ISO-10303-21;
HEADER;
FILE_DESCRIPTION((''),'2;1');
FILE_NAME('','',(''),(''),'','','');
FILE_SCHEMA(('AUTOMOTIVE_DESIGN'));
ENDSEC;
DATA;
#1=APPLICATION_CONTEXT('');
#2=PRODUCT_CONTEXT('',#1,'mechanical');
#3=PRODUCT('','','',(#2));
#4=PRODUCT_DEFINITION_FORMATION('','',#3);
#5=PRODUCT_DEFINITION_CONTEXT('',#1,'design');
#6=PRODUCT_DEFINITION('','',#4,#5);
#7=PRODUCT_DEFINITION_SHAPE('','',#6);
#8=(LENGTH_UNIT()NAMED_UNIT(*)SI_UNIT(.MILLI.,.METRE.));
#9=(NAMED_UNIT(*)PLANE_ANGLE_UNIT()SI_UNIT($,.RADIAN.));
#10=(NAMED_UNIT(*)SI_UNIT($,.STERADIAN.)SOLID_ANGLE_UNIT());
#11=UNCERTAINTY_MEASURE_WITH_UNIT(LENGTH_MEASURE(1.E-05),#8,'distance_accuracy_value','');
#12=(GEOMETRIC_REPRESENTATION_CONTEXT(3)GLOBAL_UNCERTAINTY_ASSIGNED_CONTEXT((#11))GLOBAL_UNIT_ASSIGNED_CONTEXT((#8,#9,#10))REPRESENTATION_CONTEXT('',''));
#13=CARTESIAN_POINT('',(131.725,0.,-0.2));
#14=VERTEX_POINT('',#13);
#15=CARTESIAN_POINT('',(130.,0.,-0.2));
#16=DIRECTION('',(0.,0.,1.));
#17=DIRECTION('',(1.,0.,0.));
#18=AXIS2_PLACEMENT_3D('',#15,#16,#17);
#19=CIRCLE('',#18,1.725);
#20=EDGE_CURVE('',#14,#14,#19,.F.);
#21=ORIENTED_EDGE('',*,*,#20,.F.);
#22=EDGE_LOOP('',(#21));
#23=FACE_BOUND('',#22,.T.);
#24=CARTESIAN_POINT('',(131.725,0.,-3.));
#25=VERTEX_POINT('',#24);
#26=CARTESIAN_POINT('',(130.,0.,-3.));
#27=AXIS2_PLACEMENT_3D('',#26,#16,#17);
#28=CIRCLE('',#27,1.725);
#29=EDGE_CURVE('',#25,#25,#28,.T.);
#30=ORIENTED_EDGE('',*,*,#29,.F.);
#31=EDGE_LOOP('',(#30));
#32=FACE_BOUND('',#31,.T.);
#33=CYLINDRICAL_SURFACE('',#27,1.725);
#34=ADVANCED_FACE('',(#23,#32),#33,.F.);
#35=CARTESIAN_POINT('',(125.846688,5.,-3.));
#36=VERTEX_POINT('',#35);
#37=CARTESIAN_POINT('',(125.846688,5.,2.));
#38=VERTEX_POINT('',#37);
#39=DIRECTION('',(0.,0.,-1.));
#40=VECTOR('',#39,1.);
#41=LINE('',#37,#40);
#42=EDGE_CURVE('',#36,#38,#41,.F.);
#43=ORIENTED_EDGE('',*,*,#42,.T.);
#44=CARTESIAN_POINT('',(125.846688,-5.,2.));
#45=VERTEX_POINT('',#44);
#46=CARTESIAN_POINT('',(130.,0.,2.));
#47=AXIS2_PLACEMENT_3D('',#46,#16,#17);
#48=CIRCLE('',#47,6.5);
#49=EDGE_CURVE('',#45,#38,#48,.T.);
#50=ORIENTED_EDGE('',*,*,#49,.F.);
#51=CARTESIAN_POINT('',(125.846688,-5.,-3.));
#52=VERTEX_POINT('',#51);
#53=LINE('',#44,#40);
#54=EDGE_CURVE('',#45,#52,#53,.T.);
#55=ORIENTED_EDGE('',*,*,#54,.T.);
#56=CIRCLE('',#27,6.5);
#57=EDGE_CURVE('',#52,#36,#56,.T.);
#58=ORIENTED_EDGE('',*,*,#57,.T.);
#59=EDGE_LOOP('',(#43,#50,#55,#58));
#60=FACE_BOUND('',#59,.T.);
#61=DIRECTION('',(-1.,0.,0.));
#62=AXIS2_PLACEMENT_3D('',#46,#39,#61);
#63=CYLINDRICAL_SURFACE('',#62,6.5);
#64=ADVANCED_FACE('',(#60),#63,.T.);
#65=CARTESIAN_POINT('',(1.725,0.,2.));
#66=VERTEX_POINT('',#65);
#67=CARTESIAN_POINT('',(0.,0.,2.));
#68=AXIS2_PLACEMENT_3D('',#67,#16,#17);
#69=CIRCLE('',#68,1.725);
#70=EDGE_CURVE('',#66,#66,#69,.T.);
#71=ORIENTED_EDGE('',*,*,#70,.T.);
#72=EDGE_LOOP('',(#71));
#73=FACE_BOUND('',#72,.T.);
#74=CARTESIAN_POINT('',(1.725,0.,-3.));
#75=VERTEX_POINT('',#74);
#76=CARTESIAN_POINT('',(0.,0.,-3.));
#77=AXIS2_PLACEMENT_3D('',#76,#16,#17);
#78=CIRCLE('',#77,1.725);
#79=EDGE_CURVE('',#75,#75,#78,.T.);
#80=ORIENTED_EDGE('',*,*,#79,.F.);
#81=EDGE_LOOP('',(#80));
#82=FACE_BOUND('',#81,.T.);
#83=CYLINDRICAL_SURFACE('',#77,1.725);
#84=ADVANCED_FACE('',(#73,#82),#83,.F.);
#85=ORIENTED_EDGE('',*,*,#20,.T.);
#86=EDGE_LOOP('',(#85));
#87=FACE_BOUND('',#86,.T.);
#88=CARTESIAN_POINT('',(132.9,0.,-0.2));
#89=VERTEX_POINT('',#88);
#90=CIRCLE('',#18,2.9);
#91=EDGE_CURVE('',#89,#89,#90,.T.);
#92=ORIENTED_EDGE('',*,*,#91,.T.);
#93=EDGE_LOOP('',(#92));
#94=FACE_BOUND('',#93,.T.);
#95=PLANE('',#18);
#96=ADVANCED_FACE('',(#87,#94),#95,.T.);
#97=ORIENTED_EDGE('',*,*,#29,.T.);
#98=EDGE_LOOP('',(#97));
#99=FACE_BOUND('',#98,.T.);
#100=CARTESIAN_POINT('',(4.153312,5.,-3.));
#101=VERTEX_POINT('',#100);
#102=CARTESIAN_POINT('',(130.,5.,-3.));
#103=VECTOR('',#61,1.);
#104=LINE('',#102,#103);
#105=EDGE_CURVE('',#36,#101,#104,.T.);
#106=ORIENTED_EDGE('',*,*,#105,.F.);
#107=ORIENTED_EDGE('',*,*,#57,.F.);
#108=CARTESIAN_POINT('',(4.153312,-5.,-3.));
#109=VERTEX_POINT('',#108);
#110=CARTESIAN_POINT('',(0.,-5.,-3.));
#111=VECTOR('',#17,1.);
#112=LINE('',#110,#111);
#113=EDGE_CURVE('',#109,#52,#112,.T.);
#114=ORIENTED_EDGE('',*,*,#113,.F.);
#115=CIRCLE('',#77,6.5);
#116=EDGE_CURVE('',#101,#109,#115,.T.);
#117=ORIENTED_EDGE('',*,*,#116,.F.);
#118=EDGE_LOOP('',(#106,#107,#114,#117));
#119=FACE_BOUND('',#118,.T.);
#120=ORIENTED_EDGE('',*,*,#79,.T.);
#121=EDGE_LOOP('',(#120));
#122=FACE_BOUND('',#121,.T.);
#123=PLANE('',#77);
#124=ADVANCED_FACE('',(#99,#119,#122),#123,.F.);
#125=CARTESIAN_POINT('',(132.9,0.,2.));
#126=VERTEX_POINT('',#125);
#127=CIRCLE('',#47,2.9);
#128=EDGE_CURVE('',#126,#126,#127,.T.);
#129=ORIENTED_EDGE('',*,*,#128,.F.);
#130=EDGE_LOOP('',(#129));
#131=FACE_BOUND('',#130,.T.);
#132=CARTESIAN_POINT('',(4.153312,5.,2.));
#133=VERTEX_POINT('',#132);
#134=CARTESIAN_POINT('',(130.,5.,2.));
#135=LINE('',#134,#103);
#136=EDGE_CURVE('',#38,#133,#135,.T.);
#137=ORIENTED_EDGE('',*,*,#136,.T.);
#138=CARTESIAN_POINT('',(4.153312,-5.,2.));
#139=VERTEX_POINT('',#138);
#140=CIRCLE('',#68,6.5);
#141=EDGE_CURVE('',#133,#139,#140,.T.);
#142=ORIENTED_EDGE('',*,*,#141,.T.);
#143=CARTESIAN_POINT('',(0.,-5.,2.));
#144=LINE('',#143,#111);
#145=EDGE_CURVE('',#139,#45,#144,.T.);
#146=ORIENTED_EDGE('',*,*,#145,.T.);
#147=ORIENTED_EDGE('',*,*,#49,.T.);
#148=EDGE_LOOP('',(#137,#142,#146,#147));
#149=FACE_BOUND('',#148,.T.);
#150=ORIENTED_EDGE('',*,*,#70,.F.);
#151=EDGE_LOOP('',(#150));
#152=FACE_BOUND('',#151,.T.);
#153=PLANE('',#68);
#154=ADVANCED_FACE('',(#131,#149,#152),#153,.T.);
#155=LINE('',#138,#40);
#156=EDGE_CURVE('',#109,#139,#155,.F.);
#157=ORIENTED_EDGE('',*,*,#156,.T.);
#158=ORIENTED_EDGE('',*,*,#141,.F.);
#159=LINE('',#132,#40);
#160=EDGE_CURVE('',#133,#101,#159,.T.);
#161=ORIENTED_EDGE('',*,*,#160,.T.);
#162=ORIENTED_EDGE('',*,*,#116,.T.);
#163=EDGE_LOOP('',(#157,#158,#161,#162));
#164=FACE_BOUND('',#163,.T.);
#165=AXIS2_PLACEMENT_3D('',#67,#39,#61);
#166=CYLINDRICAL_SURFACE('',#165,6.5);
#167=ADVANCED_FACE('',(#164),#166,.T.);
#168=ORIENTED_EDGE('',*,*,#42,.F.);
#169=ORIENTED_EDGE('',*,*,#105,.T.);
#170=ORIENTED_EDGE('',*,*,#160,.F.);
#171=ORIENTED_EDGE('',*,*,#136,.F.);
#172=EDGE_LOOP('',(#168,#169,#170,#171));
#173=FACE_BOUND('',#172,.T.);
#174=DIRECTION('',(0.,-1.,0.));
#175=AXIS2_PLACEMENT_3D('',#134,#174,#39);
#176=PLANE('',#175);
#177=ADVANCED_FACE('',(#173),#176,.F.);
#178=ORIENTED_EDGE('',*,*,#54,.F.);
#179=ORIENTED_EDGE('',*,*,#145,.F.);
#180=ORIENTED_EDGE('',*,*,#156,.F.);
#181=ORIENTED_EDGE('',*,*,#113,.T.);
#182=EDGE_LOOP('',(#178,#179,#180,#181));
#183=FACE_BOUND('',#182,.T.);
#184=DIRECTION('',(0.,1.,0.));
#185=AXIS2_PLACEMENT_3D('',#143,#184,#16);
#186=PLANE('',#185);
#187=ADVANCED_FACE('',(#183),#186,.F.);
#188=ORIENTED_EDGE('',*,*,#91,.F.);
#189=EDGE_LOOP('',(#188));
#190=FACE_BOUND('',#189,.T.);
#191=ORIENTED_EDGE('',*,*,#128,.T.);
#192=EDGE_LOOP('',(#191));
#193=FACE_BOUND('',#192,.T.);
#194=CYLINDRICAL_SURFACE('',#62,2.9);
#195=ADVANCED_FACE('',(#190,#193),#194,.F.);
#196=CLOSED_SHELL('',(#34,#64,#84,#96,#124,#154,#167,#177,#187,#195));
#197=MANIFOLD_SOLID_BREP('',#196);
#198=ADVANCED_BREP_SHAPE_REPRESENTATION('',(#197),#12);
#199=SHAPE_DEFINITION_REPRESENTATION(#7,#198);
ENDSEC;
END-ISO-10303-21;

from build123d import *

# Parameters (mm, degrees)
BOSS_EXTRUDE1_START     = -3
SKETCH1_W               = 130
SKETCH1_H               = 10
BOSS_EXTRUDE1_DEPTH     = 5
BOSS_EXTRUDE2_START     = -3
SKETCH2_R               = 6.5
BOSS_EXTRUDE2_DEPTH     = 5
BOSS_EXTRUDE3_START     = -3
SKETCH3_R               = 6.5
BOSS_EXTRUDE3_DEPTH     = 5
CUT_EXTRUDE1_DEPTH      = 137.687600023
CUT_EXTRUDE1_DEPTH_BACK = 137.687600023
SKETCH4_R               = 1.725
CUT_EXTRUDE2_START      = -0.2
SKETCH5_R               = 2.9
CUT_EXTRUDE2_DEPTH      = 2.2


with BuildPart() as part:
    # Sketch1 → Boss-Extrude1 (new body)
    with BuildSketch(Plane.XY.offset(BOSS_EXTRUDE1_START)):
        with Locations((65, 0)):
            Rectangle(SKETCH1_W, SKETCH1_H)
    extrude(amount=BOSS_EXTRUDE1_DEPTH)

    # Sketch2 → Boss-Extrude2 (add)
    with BuildSketch(Plane.XY.offset(BOSS_EXTRUDE2_START)):
        Circle(SKETCH2_R)
    extrude(amount=BOSS_EXTRUDE2_DEPTH)

    # Sketch3 → Boss-Extrude3 (add)
    with BuildSketch(Plane.XY.offset(BOSS_EXTRUDE3_START)):
        with Locations((130, 0)):
            Circle(SKETCH3_R)
    extrude(amount=BOSS_EXTRUDE3_DEPTH)

    # Sketch4 → Cut-Extrude1 (cut, two sides: drawn at the far end of the back side and taken through both)
    with BuildSketch(Plane.XY.offset(-CUT_EXTRUDE1_DEPTH_BACK)):
        Circle(SKETCH4_R)
        with Locations((130, 0)):
            Circle(SKETCH4_R)
    extrude(amount=CUT_EXTRUDE1_DEPTH + CUT_EXTRUDE1_DEPTH_BACK, mode=Mode.SUBTRACT)

    # Sketch5 → Cut-Extrude2 (cut)
    with BuildSketch(Plane.XY.offset(CUT_EXTRUDE2_START)):
        with Locations((130, 0)):
            Circle(SKETCH5_R)
    extrude(amount=CUT_EXTRUDE2_DEPTH, mode=Mode.SUBTRACT)


solid = part.part
